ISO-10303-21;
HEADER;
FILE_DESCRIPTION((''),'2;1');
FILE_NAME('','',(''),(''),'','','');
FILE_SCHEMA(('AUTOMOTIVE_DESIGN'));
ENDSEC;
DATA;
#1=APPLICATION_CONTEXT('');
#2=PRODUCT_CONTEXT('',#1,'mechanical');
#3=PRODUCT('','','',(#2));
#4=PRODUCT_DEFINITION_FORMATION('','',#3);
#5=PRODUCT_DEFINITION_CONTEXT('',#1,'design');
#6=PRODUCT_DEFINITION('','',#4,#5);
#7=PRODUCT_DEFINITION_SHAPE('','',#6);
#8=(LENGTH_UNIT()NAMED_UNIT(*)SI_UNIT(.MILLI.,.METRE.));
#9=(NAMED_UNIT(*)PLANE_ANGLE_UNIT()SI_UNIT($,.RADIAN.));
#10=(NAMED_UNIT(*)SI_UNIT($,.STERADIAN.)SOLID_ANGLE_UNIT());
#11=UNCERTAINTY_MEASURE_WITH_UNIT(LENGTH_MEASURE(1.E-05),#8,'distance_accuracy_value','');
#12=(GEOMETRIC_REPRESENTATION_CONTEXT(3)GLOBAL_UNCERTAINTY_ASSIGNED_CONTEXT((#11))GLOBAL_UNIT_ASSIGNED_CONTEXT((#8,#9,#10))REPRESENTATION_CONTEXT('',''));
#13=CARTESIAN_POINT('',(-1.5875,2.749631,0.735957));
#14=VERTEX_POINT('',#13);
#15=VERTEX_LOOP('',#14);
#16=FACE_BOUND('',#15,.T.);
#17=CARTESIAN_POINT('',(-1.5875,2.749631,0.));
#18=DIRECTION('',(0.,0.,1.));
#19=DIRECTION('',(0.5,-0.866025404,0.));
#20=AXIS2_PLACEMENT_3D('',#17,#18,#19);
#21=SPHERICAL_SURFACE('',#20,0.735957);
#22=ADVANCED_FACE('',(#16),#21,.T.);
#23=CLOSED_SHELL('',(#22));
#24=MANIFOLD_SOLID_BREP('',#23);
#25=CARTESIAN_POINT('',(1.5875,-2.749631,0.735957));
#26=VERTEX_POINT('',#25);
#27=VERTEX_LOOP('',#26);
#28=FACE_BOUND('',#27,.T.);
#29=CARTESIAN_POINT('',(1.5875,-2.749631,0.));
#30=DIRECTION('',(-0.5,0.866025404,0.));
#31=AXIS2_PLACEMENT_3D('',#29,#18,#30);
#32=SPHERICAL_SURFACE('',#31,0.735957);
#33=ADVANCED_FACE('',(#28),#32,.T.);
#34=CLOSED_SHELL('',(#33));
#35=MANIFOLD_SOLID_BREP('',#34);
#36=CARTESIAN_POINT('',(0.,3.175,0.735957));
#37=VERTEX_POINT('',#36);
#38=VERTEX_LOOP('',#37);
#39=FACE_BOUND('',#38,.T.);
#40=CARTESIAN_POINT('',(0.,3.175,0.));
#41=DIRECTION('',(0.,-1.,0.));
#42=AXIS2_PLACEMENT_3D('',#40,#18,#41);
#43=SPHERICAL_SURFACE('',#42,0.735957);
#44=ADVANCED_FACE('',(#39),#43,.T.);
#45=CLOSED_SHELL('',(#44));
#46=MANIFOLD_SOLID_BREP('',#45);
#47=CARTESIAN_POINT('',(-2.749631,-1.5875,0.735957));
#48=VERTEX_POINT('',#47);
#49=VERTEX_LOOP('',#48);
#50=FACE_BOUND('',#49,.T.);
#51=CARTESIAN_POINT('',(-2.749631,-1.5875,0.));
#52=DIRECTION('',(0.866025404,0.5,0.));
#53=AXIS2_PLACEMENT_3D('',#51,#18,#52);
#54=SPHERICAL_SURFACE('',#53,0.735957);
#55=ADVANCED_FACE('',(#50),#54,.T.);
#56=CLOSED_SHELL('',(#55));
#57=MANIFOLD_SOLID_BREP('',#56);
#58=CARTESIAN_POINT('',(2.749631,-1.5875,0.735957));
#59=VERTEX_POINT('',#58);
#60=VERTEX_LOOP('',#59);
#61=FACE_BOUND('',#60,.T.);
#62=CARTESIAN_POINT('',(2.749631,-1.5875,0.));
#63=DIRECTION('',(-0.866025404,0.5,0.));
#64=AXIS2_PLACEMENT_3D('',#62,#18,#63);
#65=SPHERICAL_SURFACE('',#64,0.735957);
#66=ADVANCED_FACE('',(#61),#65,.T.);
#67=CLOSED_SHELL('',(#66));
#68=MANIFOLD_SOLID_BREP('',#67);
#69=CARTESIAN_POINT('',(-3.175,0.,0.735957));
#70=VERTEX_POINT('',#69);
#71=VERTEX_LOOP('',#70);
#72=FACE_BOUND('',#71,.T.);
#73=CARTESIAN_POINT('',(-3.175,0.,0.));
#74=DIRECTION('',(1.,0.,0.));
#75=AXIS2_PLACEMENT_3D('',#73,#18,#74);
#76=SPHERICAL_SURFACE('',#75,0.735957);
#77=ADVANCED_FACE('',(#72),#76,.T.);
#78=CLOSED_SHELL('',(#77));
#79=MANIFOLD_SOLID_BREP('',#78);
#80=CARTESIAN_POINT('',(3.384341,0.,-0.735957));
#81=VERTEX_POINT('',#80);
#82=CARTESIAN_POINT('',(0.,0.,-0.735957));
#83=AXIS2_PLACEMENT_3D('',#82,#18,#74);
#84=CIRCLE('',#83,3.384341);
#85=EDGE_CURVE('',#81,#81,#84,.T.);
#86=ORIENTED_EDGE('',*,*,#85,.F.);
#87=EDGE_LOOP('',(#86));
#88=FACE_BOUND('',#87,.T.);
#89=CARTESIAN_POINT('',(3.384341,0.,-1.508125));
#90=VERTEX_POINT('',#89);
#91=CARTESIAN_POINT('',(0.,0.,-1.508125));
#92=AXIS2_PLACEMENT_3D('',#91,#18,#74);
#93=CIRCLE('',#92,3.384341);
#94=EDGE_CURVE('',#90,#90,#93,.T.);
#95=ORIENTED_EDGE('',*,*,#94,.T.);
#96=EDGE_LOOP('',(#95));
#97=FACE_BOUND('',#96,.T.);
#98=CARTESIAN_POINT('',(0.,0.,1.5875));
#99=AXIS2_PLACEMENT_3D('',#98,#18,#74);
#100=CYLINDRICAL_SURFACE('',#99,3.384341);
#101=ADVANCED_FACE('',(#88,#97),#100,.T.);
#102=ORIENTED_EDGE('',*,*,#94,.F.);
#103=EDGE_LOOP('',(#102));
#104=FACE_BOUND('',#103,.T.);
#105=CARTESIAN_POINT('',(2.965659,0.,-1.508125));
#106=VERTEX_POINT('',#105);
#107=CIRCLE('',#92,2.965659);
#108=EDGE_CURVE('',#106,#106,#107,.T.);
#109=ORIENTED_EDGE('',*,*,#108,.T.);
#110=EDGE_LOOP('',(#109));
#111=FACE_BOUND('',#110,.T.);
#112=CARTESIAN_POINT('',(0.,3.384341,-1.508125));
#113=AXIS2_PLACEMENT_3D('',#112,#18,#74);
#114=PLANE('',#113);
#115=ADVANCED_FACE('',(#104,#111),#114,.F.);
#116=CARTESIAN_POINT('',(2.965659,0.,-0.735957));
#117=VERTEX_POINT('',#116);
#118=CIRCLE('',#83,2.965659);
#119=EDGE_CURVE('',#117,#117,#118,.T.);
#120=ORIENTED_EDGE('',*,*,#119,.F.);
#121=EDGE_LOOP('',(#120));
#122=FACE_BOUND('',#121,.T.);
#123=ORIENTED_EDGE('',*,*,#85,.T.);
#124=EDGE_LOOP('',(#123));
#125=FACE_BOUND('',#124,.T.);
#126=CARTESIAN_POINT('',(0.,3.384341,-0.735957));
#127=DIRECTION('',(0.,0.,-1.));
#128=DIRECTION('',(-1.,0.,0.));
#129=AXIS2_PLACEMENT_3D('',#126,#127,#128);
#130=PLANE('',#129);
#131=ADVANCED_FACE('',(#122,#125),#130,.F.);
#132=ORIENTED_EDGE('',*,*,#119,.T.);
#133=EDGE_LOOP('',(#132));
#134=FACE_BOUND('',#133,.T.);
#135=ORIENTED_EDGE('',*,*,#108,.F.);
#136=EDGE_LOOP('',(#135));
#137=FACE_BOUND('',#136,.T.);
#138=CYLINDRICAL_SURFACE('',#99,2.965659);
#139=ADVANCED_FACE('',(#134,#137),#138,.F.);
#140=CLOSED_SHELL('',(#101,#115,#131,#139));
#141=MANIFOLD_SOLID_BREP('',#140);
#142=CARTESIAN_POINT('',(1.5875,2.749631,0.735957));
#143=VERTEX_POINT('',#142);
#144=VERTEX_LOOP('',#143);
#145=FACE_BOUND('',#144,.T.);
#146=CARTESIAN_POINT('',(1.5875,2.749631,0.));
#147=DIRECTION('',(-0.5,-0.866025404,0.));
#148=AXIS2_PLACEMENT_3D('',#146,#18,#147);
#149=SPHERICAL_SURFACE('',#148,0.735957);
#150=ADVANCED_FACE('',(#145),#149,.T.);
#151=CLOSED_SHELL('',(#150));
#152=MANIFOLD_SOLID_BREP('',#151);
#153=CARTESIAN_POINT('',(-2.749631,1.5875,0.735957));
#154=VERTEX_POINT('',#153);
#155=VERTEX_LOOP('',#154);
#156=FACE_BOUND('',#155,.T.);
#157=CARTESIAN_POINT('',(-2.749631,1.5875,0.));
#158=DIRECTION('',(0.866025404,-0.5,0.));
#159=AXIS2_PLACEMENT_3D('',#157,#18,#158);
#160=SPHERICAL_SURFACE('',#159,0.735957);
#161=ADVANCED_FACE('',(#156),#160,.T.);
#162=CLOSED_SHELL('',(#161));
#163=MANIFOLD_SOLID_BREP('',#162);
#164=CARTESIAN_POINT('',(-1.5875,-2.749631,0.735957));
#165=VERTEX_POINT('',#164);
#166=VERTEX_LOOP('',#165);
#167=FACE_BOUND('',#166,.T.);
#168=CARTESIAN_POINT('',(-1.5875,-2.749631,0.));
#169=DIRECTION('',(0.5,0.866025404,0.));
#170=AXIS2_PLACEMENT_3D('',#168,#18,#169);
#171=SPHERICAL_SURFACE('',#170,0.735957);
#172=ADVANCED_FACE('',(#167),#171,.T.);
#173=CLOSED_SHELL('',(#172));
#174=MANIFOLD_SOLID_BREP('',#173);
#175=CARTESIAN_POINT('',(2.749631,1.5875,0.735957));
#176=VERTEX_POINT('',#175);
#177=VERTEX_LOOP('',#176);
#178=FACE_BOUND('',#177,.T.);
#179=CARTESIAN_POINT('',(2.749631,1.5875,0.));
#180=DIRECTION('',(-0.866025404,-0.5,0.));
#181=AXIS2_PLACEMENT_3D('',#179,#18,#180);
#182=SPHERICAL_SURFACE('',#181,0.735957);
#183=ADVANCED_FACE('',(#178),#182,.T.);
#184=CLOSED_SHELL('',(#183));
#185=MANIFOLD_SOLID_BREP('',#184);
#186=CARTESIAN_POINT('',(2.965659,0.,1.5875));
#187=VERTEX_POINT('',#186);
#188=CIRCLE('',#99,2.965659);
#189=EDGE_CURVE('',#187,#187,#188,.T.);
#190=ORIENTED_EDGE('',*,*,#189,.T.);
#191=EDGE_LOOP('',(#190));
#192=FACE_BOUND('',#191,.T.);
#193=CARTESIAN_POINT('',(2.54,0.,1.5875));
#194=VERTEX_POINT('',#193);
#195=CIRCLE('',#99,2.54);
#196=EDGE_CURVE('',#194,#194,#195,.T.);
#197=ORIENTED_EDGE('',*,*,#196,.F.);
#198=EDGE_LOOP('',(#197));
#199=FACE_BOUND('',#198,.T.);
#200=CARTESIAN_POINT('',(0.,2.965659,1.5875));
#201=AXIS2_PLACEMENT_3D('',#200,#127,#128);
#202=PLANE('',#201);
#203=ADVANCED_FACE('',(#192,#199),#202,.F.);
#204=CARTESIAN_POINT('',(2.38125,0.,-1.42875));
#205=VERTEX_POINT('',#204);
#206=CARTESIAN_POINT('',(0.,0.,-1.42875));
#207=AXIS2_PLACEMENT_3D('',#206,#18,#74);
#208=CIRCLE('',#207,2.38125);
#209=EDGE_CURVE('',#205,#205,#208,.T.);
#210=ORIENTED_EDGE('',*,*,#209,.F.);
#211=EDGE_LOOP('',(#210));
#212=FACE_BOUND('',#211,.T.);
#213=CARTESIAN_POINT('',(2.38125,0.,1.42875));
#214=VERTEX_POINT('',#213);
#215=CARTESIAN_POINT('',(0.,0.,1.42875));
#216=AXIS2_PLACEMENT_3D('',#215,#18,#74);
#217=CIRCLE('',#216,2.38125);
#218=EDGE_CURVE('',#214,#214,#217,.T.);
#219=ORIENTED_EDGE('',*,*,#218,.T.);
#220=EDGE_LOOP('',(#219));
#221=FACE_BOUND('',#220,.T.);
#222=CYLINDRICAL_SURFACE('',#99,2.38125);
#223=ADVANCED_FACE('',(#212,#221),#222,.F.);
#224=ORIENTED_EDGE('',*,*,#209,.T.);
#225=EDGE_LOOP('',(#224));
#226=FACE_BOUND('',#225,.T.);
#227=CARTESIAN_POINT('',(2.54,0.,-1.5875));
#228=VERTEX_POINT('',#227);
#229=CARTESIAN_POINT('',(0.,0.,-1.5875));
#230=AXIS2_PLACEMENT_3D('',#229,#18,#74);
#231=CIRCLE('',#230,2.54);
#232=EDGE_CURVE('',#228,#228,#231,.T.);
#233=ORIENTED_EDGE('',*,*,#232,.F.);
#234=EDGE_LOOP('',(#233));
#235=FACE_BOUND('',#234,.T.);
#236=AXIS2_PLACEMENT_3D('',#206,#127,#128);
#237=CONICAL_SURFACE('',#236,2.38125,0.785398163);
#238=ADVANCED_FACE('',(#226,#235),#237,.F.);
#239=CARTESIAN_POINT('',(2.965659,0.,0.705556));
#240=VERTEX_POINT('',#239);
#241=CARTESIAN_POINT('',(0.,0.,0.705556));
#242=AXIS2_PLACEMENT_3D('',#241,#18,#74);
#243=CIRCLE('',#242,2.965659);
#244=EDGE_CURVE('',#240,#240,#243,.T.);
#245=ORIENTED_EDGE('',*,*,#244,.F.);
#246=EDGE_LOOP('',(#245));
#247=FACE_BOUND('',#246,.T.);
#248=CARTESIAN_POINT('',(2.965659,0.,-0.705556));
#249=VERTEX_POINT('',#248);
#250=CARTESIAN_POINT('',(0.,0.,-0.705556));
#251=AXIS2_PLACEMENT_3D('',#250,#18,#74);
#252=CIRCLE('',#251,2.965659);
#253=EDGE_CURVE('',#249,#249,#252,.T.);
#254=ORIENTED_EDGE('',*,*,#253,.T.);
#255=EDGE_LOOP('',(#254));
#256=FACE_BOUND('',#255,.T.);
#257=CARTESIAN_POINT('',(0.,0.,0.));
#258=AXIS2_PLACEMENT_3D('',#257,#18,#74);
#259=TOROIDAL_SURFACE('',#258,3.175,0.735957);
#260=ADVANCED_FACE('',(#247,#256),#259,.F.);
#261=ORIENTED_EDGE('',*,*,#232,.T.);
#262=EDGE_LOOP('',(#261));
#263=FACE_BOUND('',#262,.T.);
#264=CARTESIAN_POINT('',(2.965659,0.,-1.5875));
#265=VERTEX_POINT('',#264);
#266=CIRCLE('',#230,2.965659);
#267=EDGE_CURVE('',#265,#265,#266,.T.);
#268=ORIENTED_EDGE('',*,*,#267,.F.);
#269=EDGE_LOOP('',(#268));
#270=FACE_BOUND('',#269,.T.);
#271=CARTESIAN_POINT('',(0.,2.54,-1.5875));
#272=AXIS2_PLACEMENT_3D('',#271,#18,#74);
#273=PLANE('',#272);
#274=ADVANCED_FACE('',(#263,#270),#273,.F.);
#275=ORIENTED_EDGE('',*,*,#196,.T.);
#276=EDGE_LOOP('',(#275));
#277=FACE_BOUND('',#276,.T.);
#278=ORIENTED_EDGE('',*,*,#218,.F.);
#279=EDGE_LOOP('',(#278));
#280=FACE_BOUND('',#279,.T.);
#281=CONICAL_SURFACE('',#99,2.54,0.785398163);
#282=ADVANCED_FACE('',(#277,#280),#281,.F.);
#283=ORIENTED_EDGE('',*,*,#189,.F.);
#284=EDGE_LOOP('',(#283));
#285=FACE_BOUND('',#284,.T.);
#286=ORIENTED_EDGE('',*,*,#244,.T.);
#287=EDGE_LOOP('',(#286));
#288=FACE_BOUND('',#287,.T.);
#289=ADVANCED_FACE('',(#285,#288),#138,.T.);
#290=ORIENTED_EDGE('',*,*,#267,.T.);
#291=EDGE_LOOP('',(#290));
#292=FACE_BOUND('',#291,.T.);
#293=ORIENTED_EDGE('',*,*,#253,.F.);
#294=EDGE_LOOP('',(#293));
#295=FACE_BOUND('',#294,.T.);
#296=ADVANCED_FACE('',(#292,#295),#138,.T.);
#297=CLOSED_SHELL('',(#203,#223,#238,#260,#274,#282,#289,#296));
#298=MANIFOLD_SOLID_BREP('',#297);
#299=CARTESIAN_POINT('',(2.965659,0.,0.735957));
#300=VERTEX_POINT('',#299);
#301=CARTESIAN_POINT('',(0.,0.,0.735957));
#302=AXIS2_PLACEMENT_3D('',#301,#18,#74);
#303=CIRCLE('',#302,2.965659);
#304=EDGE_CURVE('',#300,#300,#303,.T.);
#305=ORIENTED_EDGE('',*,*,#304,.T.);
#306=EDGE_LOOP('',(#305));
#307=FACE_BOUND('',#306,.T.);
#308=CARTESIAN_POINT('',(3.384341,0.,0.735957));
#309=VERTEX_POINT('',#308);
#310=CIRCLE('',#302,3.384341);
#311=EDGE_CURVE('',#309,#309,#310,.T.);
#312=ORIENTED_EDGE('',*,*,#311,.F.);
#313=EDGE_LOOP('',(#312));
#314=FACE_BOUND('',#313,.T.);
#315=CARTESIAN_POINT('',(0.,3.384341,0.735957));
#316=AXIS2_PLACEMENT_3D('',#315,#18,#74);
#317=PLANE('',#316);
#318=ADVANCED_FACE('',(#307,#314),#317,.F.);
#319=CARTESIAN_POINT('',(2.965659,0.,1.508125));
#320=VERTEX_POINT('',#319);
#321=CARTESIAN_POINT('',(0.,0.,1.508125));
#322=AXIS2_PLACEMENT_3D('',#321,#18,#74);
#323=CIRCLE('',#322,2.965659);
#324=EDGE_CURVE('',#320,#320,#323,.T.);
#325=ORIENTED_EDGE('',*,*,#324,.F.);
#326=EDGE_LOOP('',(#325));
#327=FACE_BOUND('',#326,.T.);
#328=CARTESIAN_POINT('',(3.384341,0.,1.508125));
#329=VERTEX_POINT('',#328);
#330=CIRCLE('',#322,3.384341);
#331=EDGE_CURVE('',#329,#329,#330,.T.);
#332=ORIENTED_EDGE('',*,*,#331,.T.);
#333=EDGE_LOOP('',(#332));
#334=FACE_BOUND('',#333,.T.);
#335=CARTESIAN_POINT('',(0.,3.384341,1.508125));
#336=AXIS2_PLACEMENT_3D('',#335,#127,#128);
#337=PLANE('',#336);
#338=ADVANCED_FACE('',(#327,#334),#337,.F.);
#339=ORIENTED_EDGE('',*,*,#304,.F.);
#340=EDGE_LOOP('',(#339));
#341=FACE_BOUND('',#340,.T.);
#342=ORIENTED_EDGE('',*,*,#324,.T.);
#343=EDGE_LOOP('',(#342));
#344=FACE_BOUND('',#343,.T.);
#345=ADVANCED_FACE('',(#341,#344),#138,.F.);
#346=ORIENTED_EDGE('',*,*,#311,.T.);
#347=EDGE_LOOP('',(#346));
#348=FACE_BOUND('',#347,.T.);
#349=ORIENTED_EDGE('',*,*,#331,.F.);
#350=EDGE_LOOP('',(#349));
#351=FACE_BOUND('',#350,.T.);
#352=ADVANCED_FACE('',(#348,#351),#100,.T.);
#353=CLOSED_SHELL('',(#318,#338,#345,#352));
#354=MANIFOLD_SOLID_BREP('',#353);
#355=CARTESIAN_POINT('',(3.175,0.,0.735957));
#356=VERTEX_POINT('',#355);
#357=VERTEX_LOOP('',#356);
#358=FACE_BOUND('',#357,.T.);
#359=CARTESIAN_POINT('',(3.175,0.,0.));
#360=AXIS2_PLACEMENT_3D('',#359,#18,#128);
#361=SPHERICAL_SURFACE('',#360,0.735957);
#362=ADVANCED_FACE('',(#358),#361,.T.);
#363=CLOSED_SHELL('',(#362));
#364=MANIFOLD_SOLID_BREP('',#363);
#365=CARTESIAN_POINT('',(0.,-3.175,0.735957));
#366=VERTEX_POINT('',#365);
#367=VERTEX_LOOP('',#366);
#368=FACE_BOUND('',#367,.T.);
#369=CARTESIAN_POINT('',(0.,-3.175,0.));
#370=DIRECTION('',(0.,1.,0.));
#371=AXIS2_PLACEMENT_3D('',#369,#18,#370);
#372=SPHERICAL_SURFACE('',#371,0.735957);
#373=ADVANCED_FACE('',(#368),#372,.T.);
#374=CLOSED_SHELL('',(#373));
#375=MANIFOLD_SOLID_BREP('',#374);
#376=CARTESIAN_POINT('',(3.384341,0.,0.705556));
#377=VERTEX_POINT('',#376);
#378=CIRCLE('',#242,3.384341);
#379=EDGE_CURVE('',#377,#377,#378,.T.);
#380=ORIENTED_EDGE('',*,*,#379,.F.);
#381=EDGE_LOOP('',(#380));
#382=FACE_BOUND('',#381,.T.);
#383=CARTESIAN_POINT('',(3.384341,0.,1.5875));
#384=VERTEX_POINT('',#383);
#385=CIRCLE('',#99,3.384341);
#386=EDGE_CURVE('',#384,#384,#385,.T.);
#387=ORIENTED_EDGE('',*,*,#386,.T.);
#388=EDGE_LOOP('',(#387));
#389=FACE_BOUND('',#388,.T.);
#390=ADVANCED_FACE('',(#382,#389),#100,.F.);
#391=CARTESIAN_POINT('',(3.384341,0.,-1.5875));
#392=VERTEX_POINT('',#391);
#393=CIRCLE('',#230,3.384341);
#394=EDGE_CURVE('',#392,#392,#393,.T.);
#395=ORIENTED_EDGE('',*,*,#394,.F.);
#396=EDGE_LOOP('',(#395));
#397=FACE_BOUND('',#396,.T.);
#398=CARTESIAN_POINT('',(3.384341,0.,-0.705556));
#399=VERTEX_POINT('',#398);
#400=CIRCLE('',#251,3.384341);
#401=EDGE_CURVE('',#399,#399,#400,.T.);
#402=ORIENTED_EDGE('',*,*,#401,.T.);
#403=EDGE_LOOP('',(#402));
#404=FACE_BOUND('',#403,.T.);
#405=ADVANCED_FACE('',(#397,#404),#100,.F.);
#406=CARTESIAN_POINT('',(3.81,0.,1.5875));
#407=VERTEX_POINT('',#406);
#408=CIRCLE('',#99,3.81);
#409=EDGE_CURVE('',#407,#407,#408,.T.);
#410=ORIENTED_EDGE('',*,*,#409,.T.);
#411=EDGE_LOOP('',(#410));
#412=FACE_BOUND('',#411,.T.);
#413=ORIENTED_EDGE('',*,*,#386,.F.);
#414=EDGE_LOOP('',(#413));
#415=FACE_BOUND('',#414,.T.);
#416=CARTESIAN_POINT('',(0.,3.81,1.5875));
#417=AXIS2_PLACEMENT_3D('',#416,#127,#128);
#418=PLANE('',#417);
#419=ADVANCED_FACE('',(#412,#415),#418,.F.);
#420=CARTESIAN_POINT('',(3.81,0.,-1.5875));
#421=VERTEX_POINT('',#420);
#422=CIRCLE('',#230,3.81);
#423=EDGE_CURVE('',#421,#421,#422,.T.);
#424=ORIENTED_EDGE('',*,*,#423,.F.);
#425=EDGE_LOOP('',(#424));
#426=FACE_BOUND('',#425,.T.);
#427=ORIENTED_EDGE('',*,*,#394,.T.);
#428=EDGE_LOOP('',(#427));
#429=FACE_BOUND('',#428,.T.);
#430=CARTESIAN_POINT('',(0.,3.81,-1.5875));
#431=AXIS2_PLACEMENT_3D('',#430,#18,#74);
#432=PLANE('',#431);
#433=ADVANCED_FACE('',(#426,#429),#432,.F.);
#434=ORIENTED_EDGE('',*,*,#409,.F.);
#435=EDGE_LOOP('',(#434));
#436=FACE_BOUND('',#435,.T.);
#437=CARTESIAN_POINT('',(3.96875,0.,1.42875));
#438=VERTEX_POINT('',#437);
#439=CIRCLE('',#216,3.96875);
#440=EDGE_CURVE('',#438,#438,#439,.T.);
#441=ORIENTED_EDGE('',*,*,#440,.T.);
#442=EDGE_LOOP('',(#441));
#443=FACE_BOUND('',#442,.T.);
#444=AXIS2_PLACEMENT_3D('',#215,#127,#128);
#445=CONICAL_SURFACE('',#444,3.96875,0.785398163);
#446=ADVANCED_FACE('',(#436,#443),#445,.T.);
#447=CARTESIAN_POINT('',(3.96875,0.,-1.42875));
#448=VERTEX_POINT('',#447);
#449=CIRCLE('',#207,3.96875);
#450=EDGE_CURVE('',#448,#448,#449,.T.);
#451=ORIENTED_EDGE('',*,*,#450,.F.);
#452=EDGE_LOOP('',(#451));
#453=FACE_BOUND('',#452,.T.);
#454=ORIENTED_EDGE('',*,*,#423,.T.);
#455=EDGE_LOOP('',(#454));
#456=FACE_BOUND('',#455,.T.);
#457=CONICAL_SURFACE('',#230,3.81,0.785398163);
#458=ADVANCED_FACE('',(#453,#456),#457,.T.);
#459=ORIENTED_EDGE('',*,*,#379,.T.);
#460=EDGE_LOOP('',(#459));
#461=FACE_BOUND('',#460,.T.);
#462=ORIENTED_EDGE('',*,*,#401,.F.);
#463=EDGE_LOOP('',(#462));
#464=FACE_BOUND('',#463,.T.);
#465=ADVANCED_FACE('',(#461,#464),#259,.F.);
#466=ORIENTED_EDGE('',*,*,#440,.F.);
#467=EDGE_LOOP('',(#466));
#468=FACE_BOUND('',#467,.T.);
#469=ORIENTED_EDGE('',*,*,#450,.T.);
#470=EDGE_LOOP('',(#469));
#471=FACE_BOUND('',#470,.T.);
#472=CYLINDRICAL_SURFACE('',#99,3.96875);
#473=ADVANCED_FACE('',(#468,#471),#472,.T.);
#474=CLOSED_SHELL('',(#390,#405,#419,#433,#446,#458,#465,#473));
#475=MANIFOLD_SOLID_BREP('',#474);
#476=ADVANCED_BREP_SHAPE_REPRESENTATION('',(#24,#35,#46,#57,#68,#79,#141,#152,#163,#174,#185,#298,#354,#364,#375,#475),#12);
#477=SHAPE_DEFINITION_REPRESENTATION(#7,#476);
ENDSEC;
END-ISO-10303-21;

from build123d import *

# Parameters (mm, degrees)
CIRPATTERN1_COUNT = 12
SKETCH5_W         = 0.772168375
SKETCH5_H         = 0.418681318


with BuildPart() as part:
    # Sketch1 → Revolve1 (revolve)
    with BuildSketch(Plane(origin=(0, 0, 0), x_dir=(0, 0, -1), z_dir=(1, 0, 0))):
        with BuildLine():
            Line((1.42875, 3.96875), (-1.42875, 3.96875))
            Line((-1.42875, 3.96875), (-1.5875, 3.81))
            Line((-1.5875, 3.81), (-1.5875, 3.384340659))
            Line((-1.5875, 3.384340659), (-0.705555556, 3.384340659))
            ThreePointArc((-0.705555556, 3.384340659), (0, 3.910956625), (0.705555556, 3.384340659))
            Line((0.705555556, 3.384340659), (1.5875, 3.384340659))
            Line((1.5875, 3.384340659), (1.5875, 3.81))
            Line((1.5875, 3.81), (1.42875, 3.96875))
        make_face()
    revolve(axis=Axis((0, 0, 1.5875), (0, 0, -1)))


with BuildPart() as body_2:
    # Sketch3 → Revolve3 (revolve)
    with BuildSketch(Plane(origin=(0, 0, 0), x_dir=(0, 0, -1), z_dir=(1, 0, 0))):
        with BuildLine():
            Line((-0.705555556, 2.965659341), (-1.5875, 2.965659341))
            Line((-1.5875, 2.965659341), (-1.5875, 2.54))
            Line((-1.5875, 2.54), (-1.42875, 2.38125))
            Line((-1.42875, 2.38125), (1.42875, 2.38125))
            Line((1.42875, 2.38125), (1.5875, 2.54))
            Line((1.5875, 2.54), (1.5875, 2.965659341))
            Line((1.5875, 2.965659341), (0.705555556, 2.965659341))
            ThreePointArc((0.705555556, 2.965659341), (0, 2.439043375), (-0.705555556, 2.965659341))
        make_face()
    revolve(axis=Axis((0, 0, 1.5875), (0, 0, -1)))


with BuildPart() as body_3:
    # Sketch4 → Revolve4 (revolve)
    with BuildSketch(Plane(origin=(0, 0, 0), x_dir=(0, 0, -1), z_dir=(1, 0, 0))):
        with BuildLine():
            Line((-0.735956625, 3.175), (0.735956625, 3.175))
            ThreePointArc((0.735956625, 3.175), (0, 3.910956625), (-0.735956625, 3.175))
        make_face()
    revolve(axis=Axis((0, 3.175, 0.735956625), (0, 0, -1)))


with BuildPart() as cirpattern1_1:
    # CirPattern1: pattern copy
    add(body_3.part.rotate(Axis((0, 0, -1.5875), (0, 0, 1)), 1 * 360 / CIRPATTERN1_COUNT))


with BuildPart() as cirpattern1_2:
    # CirPattern1: pattern copy
    add(body_3.part.rotate(Axis((0, 0, -1.5875), (0, 0, 1)), 2 * 360 / CIRPATTERN1_COUNT))


with BuildPart() as cirpattern1_3:
    # CirPattern1: pattern copy
    add(body_3.part.rotate(Axis((0, 0, -1.5875), (0, 0, 1)), 3 * 360 / CIRPATTERN1_COUNT))


with BuildPart() as cirpattern1_4:
    # CirPattern1: pattern copy
    add(body_3.part.rotate(Axis((0, 0, -1.5875), (0, 0, 1)), 4 * 360 / CIRPATTERN1_COUNT))


with BuildPart() as cirpattern1_5:
    # CirPattern1: pattern copy
    add(body_3.part.rotate(Axis((0, 0, -1.5875), (0, 0, 1)), 5 * 360 / CIRPATTERN1_COUNT))


with BuildPart() as cirpattern1_6:
    # CirPattern1: pattern copy
    add(body_3.part.rotate(Axis((0, 0, -1.5875), (0, 0, 1)), 6 * 360 / CIRPATTERN1_COUNT))


with BuildPart() as cirpattern1_7:
    # CirPattern1: pattern copy
    add(body_3.part.rotate(Axis((0, 0, -1.5875), (0, 0, 1)), 7 * 360 / CIRPATTERN1_COUNT))


with BuildPart() as cirpattern1_8:
    # CirPattern1: pattern copy
    add(body_3.part.rotate(Axis((0, 0, -1.5875), (0, 0, 1)), 8 * 360 / CIRPATTERN1_COUNT))


with BuildPart() as cirpattern1_9:
    # CirPattern1: pattern copy
    add(body_3.part.rotate(Axis((0, 0, -1.5875), (0, 0, 1)), 9 * 360 / CIRPATTERN1_COUNT))


with BuildPart() as cirpattern1_10:
    # CirPattern1: pattern copy
    add(body_3.part.rotate(Axis((0, 0, -1.5875), (0, 0, 1)), 10 * 360 / CIRPATTERN1_COUNT))


with BuildPart() as cirpattern1_11:
    # CirPattern1: pattern copy
    add(body_3.part.rotate(Axis((0, 0, -1.5875), (0, 0, 1)), 11 * 360 / CIRPATTERN1_COUNT))


with BuildPart() as body_15:
    # Sketch5 → Revolve5 (revolve)
    with BuildSketch(Plane(origin=(0, 0, 0), x_dir=(0, 0, -1), z_dir=(1, 0, 0))):
        with Locations((-1.122040813, 3.175)):
            Rectangle(SKETCH5_W, SKETCH5_H)
        with Locations((1.122040813, 3.175)):
            Rectangle(SKETCH5_W, SKETCH5_H)
    revolve(axis=Axis((0, 0, 1.5875), (0, 0, -1)))


solid = Compound([part.part, body_2.part, body_3.part, cirpattern1_1.part, cirpattern1_2.part, cirpattern1_3.part, cirpattern1_4.part, cirpattern1_5.part, cirpattern1_6.part, cirpattern1_7.part, cirpattern1_8.part, cirpattern1_9.part, cirpattern1_10.part, cirpattern1_11.part, body_15.part])
